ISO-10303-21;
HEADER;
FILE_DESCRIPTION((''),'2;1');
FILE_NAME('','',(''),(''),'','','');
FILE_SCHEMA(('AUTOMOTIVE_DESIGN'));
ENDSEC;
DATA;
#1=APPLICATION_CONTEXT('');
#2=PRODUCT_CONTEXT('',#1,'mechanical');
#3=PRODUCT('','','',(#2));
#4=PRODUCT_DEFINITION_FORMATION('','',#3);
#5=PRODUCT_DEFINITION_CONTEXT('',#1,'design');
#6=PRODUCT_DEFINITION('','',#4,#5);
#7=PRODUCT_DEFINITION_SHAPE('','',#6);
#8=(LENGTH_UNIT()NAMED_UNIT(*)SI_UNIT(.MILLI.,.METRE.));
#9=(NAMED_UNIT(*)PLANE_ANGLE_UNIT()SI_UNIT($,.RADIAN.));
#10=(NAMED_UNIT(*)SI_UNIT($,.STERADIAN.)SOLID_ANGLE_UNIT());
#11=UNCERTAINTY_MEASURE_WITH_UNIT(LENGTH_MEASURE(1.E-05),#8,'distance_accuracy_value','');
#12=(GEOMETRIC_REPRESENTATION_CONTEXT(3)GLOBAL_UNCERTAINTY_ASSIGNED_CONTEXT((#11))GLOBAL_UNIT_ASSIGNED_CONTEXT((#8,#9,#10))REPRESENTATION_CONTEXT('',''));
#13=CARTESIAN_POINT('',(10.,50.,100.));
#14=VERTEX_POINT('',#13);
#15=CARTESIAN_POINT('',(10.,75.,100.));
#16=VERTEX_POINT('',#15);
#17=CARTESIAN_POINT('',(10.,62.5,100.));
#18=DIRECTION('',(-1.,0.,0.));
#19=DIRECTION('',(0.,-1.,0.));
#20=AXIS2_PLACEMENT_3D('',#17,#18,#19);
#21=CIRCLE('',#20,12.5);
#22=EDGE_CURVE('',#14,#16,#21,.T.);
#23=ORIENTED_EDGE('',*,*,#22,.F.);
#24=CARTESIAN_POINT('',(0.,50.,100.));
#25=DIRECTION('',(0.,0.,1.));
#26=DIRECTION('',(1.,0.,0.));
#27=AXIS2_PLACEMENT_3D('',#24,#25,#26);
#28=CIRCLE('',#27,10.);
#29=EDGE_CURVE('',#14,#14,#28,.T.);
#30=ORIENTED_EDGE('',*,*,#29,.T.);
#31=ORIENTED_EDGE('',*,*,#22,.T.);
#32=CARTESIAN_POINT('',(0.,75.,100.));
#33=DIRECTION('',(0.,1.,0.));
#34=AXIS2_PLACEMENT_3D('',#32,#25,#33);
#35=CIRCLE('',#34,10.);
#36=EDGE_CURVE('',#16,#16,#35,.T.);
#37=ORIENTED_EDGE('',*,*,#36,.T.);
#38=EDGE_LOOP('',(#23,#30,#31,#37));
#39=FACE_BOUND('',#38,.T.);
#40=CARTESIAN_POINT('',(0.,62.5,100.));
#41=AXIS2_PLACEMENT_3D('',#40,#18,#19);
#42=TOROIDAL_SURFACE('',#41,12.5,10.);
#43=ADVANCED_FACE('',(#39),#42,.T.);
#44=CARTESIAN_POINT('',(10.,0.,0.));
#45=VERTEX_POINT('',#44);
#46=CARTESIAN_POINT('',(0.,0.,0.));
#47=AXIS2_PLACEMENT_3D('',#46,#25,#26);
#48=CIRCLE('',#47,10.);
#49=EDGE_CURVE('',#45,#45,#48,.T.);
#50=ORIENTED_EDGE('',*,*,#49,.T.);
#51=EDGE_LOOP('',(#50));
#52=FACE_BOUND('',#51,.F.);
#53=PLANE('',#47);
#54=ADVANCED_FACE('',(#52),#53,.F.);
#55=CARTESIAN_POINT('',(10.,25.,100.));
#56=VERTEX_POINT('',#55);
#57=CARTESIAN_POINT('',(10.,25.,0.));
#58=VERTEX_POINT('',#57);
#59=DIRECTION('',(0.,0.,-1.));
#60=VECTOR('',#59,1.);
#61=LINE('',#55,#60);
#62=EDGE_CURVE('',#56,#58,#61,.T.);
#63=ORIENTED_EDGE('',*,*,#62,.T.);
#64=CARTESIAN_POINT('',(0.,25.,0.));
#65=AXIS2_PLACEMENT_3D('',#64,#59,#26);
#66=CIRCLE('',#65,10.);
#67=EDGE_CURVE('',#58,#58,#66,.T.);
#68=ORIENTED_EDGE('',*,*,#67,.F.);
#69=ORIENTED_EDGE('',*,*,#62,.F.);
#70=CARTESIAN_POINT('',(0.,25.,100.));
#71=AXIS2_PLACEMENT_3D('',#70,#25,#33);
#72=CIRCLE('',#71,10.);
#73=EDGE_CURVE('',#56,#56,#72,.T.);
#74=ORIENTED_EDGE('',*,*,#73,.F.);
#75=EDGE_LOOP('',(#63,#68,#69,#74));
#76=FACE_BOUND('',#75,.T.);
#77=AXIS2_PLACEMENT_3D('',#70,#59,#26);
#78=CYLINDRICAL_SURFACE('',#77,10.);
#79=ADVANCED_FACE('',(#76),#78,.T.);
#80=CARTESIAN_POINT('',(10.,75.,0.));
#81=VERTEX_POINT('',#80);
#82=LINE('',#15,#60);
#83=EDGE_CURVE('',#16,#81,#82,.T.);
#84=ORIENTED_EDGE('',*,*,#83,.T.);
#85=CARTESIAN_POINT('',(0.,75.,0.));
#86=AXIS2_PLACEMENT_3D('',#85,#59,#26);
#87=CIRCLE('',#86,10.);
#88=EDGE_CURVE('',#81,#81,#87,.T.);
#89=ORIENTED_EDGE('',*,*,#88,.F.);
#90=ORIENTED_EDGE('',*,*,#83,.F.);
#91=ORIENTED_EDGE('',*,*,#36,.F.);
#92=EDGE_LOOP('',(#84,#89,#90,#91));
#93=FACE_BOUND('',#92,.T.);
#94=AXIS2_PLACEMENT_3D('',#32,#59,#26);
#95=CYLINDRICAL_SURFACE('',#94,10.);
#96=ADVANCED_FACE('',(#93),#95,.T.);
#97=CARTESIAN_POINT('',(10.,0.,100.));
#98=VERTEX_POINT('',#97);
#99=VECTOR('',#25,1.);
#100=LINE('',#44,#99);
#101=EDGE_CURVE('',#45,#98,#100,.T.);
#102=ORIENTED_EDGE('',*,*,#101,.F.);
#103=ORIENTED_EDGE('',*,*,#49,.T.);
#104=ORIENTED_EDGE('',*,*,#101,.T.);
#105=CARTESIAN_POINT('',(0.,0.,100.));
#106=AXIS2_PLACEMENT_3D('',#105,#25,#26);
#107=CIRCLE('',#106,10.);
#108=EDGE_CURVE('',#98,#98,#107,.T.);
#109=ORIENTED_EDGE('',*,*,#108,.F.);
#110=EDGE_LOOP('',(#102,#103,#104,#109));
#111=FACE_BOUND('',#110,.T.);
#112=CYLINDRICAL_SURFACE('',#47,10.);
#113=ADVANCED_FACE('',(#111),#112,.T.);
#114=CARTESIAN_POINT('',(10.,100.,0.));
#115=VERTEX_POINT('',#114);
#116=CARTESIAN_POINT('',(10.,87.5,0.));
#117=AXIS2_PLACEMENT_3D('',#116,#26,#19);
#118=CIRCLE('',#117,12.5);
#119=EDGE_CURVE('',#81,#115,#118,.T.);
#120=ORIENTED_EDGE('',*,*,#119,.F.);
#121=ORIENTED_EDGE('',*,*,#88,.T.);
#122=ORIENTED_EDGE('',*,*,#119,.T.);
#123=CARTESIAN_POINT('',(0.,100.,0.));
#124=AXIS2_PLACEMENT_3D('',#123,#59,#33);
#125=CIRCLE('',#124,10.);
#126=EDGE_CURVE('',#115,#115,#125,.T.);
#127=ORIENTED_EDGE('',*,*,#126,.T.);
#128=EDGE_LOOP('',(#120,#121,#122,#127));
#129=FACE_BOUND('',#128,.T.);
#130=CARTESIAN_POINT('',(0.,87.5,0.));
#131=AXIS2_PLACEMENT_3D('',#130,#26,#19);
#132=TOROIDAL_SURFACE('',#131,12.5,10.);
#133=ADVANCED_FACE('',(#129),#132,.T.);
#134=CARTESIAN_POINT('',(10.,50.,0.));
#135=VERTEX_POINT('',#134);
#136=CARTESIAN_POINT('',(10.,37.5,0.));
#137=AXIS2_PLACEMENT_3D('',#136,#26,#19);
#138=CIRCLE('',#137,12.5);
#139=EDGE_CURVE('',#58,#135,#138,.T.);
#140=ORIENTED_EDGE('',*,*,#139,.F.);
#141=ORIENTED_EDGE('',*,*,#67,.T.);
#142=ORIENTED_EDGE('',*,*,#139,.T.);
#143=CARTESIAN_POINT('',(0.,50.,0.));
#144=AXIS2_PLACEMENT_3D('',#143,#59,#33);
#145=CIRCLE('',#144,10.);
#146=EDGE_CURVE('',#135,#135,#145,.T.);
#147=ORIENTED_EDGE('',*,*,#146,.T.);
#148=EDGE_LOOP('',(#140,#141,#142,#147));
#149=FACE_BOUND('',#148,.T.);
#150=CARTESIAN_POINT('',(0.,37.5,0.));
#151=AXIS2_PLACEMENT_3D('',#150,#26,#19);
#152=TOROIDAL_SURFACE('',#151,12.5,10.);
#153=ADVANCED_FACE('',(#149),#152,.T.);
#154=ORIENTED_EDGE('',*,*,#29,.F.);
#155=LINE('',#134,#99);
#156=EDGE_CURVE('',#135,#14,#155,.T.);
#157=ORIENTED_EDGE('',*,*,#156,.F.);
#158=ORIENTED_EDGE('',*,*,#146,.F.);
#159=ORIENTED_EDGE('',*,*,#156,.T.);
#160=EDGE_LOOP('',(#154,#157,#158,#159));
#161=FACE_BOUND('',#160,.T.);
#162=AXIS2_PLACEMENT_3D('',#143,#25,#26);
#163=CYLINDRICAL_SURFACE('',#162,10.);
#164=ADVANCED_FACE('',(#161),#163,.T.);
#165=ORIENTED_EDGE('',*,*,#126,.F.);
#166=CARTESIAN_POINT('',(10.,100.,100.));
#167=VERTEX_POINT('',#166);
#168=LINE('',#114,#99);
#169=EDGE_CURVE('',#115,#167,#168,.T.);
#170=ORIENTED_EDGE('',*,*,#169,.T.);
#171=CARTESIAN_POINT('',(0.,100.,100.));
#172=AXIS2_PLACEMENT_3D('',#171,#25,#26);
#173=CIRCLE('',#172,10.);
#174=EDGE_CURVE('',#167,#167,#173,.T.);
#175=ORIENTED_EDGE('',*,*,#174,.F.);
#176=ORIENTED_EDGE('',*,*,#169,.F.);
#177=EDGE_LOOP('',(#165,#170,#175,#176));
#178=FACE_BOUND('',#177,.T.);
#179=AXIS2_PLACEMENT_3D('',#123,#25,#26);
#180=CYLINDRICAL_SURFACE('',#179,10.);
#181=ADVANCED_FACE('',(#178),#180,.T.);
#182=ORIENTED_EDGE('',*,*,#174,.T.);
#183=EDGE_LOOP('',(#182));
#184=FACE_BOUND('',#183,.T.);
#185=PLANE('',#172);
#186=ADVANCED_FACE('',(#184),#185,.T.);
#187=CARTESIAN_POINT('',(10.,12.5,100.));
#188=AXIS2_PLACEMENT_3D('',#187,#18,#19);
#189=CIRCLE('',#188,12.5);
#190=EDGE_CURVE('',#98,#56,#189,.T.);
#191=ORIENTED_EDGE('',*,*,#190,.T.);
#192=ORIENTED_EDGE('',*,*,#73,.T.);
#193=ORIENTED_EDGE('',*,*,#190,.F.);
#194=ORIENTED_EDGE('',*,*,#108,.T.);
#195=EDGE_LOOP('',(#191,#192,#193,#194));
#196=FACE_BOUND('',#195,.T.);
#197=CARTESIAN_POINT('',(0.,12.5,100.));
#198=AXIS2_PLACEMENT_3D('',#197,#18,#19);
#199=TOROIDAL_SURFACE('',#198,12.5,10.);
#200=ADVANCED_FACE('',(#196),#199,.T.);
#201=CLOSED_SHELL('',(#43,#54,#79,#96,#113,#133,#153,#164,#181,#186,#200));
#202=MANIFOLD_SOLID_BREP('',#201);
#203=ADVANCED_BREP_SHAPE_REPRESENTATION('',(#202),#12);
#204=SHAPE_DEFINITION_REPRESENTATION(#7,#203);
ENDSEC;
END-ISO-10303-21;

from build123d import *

# Parameters (mm, degrees)
F0_R = 10


with BuildPart() as f2:
    # F2: sweep along a path in F1
    with BuildLine(Plane.YZ) as f2_path:
        Line((0, 0), (0, 100))
        ThreePointArc((0, 100), (12.5, 112.5), (25, 100))
        Line((25, 100), (25, 0))
        ThreePointArc((25, 0), (37.5, -12.5), (50, 0))
        Line((50, 0), (50, 100))
        ThreePointArc((50, 100), (62.5, 112.5), (75, 100))
        Line((75, 100), (75, 0))
        ThreePointArc((75, 0), (87.5, -12.5), (100, 0))
        Line((100, 0), (100, 100))
    # F0 (on Top) → F2 (sweep)
    with BuildSketch(Plane.XY):
        Circle(F0_R)
    sweep(path=f2_path.line)


solid = f2.part
